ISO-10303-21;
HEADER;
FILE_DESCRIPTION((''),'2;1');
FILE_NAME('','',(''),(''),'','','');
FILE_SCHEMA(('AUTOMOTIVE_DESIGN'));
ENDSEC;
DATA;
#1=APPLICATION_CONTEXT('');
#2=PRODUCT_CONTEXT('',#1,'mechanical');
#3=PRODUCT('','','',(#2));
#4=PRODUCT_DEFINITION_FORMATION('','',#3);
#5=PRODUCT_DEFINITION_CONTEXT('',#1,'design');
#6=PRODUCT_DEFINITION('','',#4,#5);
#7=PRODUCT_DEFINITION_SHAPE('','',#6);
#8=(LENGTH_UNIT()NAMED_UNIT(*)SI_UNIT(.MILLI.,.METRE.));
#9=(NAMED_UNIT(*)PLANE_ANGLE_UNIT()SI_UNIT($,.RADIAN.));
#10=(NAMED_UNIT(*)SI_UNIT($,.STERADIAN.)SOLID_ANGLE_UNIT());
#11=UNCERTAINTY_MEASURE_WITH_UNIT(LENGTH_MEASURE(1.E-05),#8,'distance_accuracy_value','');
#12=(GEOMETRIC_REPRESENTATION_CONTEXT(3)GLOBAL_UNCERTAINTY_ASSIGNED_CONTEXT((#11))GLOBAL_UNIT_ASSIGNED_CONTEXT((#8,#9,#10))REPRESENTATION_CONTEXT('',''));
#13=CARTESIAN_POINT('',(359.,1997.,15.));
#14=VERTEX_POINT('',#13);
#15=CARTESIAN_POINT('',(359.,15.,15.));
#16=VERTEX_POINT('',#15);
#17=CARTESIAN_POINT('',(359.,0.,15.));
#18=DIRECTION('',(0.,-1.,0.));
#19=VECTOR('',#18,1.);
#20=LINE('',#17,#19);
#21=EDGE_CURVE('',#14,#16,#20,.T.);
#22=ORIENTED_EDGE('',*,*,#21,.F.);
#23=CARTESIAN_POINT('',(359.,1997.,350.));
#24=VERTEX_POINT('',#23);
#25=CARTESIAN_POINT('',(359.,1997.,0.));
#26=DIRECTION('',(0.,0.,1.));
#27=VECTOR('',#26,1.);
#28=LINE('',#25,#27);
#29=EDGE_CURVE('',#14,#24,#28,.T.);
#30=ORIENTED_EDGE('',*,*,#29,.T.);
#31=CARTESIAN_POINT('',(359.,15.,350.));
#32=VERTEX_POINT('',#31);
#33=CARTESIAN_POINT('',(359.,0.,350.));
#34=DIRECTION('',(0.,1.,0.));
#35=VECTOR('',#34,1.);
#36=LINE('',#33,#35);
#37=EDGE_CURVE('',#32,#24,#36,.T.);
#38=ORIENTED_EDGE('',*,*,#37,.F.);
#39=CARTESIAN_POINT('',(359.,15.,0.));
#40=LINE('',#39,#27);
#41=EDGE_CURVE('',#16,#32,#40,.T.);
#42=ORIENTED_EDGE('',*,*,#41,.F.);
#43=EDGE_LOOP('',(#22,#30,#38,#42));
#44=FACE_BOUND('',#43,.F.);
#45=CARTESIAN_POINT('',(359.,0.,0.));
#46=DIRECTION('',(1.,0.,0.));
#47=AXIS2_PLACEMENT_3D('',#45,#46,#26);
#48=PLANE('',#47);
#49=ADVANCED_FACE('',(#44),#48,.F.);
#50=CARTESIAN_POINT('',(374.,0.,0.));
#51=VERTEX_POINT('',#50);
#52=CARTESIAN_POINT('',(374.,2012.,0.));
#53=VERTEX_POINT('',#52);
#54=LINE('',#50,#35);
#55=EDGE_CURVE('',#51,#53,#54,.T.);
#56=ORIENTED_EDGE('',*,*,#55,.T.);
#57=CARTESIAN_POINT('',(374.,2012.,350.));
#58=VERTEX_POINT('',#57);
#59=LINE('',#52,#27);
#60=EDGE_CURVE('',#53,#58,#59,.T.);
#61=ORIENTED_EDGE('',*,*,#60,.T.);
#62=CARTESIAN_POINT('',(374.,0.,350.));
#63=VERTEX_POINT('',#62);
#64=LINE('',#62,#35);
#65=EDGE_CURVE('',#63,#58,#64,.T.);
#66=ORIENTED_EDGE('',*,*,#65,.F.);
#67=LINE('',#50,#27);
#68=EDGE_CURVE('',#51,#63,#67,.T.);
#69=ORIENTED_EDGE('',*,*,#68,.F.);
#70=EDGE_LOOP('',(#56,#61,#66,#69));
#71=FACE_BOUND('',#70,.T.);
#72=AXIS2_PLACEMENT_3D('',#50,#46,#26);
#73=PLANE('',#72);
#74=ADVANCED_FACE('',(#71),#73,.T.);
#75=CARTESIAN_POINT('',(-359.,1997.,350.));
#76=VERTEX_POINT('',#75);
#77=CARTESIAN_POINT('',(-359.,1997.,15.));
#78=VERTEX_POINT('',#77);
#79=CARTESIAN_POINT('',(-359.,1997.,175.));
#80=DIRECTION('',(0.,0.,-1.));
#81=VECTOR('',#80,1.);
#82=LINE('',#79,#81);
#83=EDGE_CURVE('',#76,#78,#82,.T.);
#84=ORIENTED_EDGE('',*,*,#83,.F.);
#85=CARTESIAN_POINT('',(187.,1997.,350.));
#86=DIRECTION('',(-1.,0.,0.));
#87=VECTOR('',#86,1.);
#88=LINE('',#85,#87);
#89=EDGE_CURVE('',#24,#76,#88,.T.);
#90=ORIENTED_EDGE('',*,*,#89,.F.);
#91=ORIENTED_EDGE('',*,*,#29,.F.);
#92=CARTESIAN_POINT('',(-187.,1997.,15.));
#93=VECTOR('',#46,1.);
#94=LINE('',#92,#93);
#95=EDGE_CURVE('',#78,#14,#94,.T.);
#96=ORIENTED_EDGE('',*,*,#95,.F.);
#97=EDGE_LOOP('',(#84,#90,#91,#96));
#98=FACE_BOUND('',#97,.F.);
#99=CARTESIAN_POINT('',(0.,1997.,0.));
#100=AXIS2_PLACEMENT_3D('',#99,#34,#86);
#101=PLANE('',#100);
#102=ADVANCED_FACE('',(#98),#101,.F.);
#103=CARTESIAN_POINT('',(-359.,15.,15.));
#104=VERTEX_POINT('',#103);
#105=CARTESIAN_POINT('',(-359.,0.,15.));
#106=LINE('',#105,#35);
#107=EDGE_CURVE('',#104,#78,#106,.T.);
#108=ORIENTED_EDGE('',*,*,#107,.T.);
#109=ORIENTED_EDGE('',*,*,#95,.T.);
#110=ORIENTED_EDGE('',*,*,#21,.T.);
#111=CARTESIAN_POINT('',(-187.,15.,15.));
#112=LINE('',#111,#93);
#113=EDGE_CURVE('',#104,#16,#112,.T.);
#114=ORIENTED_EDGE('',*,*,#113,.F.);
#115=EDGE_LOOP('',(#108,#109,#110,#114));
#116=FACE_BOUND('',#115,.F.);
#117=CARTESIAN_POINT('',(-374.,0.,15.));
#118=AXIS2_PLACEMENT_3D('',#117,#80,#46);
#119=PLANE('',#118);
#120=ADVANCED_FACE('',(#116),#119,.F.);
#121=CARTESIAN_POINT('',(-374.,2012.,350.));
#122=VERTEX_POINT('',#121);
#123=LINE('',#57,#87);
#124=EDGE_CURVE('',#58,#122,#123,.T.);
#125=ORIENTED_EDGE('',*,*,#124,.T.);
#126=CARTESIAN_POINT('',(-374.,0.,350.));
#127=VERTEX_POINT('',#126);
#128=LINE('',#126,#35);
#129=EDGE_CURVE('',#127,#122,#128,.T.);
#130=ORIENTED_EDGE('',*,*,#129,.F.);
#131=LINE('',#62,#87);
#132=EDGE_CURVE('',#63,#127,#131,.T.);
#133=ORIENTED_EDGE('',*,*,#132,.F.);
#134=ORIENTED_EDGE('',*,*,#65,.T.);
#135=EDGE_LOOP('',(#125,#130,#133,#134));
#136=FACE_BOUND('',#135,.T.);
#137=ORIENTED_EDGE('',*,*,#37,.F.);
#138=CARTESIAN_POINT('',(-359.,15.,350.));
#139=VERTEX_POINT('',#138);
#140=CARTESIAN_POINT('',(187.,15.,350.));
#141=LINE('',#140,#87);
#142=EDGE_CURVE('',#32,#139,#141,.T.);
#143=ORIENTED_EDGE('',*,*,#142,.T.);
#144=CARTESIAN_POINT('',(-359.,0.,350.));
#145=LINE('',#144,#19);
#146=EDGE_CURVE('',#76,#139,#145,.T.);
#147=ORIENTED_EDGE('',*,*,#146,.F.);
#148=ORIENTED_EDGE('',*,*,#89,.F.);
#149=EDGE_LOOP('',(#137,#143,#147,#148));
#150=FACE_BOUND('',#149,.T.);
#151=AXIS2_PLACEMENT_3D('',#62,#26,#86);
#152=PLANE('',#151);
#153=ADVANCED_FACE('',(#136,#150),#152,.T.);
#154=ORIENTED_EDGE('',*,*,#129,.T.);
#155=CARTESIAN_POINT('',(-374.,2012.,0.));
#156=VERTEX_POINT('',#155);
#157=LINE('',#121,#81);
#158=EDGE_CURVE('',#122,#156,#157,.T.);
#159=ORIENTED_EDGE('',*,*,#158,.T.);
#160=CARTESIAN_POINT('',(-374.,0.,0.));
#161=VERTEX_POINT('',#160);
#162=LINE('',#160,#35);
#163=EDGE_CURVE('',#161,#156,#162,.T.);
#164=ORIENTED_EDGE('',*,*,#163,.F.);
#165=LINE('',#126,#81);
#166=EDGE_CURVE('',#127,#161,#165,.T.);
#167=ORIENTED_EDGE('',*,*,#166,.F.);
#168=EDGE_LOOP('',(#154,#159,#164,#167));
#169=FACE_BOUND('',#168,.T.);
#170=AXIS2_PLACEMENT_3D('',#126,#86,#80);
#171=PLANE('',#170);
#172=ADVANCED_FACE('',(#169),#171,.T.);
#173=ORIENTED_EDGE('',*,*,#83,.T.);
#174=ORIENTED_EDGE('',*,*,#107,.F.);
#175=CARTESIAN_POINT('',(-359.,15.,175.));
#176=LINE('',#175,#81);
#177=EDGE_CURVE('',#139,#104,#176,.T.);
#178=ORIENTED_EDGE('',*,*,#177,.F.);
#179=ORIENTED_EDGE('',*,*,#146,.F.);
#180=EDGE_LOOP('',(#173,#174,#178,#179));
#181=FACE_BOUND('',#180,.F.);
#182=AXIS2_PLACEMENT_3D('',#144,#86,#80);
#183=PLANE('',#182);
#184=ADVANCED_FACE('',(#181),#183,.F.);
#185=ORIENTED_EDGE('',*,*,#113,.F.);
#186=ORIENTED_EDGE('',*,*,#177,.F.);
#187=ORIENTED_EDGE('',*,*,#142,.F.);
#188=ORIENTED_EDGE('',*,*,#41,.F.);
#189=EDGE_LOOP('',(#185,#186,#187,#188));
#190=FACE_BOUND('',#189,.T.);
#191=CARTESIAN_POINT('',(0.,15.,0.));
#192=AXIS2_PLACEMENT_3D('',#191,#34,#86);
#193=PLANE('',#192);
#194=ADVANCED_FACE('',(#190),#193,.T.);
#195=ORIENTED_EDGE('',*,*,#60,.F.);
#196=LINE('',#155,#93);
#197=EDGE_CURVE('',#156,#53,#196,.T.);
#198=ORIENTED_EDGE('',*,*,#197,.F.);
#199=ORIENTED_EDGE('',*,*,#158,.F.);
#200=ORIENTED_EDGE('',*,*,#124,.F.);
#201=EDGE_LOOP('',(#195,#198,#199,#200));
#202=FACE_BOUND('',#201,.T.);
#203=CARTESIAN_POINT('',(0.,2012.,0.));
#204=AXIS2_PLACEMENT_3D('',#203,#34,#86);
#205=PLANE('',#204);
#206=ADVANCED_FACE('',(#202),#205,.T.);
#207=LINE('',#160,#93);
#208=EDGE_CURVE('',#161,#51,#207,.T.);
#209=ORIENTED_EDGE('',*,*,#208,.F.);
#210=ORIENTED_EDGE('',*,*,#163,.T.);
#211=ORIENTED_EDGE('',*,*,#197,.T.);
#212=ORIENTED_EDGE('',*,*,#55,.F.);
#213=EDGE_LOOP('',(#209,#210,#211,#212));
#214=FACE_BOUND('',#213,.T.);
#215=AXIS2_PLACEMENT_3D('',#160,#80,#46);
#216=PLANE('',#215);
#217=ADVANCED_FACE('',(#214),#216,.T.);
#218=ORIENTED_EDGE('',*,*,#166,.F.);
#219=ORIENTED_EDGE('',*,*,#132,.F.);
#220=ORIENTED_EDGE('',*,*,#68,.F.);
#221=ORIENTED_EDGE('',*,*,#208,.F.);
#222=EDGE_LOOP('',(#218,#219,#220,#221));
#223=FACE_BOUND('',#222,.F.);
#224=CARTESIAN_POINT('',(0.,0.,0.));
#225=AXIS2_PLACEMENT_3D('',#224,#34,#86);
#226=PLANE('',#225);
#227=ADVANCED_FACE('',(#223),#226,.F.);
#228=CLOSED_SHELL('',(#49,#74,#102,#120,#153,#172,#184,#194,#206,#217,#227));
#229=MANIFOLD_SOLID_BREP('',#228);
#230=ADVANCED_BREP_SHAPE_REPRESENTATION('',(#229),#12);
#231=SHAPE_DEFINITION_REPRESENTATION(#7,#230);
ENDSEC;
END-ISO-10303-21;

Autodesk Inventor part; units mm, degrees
ref_plane "YZ Plane" through (0, 0, 0) normal (1, 0, 0) x (0, 1, 0)
ref_plane "XZ Plane" through (0, 0, 0) normal (0, 1, 0) x (-1, 0, 0)
ref_plane "XY Plane" through (0, 0, 0) normal (0, 0, 1) x (1, 0, 0)
sketch "Sketch1" plane through (0, 0, 0) normal (0, 1, 0) x (-1, 0, 0)
  line L0 (374, 0) -> (-374, 0)
  line L1 (-374, 0) -> (-374, 350)
  line L2 (-374, 350) -> (374, 350)
  line L3 (374, 350) -> (374, 0)
  point P0 (0, 0)
  point P1 (0, 0)
  dimension "d0" = 350
  dimension "d1" = 748
extrude "Extrusion1" add sketch "Sketch1" along normal blind 2012
shell "Shell1" thickness 15 removed faces 1 at (-124.6667, 670.6667, 350)
properties part number "PAX"
